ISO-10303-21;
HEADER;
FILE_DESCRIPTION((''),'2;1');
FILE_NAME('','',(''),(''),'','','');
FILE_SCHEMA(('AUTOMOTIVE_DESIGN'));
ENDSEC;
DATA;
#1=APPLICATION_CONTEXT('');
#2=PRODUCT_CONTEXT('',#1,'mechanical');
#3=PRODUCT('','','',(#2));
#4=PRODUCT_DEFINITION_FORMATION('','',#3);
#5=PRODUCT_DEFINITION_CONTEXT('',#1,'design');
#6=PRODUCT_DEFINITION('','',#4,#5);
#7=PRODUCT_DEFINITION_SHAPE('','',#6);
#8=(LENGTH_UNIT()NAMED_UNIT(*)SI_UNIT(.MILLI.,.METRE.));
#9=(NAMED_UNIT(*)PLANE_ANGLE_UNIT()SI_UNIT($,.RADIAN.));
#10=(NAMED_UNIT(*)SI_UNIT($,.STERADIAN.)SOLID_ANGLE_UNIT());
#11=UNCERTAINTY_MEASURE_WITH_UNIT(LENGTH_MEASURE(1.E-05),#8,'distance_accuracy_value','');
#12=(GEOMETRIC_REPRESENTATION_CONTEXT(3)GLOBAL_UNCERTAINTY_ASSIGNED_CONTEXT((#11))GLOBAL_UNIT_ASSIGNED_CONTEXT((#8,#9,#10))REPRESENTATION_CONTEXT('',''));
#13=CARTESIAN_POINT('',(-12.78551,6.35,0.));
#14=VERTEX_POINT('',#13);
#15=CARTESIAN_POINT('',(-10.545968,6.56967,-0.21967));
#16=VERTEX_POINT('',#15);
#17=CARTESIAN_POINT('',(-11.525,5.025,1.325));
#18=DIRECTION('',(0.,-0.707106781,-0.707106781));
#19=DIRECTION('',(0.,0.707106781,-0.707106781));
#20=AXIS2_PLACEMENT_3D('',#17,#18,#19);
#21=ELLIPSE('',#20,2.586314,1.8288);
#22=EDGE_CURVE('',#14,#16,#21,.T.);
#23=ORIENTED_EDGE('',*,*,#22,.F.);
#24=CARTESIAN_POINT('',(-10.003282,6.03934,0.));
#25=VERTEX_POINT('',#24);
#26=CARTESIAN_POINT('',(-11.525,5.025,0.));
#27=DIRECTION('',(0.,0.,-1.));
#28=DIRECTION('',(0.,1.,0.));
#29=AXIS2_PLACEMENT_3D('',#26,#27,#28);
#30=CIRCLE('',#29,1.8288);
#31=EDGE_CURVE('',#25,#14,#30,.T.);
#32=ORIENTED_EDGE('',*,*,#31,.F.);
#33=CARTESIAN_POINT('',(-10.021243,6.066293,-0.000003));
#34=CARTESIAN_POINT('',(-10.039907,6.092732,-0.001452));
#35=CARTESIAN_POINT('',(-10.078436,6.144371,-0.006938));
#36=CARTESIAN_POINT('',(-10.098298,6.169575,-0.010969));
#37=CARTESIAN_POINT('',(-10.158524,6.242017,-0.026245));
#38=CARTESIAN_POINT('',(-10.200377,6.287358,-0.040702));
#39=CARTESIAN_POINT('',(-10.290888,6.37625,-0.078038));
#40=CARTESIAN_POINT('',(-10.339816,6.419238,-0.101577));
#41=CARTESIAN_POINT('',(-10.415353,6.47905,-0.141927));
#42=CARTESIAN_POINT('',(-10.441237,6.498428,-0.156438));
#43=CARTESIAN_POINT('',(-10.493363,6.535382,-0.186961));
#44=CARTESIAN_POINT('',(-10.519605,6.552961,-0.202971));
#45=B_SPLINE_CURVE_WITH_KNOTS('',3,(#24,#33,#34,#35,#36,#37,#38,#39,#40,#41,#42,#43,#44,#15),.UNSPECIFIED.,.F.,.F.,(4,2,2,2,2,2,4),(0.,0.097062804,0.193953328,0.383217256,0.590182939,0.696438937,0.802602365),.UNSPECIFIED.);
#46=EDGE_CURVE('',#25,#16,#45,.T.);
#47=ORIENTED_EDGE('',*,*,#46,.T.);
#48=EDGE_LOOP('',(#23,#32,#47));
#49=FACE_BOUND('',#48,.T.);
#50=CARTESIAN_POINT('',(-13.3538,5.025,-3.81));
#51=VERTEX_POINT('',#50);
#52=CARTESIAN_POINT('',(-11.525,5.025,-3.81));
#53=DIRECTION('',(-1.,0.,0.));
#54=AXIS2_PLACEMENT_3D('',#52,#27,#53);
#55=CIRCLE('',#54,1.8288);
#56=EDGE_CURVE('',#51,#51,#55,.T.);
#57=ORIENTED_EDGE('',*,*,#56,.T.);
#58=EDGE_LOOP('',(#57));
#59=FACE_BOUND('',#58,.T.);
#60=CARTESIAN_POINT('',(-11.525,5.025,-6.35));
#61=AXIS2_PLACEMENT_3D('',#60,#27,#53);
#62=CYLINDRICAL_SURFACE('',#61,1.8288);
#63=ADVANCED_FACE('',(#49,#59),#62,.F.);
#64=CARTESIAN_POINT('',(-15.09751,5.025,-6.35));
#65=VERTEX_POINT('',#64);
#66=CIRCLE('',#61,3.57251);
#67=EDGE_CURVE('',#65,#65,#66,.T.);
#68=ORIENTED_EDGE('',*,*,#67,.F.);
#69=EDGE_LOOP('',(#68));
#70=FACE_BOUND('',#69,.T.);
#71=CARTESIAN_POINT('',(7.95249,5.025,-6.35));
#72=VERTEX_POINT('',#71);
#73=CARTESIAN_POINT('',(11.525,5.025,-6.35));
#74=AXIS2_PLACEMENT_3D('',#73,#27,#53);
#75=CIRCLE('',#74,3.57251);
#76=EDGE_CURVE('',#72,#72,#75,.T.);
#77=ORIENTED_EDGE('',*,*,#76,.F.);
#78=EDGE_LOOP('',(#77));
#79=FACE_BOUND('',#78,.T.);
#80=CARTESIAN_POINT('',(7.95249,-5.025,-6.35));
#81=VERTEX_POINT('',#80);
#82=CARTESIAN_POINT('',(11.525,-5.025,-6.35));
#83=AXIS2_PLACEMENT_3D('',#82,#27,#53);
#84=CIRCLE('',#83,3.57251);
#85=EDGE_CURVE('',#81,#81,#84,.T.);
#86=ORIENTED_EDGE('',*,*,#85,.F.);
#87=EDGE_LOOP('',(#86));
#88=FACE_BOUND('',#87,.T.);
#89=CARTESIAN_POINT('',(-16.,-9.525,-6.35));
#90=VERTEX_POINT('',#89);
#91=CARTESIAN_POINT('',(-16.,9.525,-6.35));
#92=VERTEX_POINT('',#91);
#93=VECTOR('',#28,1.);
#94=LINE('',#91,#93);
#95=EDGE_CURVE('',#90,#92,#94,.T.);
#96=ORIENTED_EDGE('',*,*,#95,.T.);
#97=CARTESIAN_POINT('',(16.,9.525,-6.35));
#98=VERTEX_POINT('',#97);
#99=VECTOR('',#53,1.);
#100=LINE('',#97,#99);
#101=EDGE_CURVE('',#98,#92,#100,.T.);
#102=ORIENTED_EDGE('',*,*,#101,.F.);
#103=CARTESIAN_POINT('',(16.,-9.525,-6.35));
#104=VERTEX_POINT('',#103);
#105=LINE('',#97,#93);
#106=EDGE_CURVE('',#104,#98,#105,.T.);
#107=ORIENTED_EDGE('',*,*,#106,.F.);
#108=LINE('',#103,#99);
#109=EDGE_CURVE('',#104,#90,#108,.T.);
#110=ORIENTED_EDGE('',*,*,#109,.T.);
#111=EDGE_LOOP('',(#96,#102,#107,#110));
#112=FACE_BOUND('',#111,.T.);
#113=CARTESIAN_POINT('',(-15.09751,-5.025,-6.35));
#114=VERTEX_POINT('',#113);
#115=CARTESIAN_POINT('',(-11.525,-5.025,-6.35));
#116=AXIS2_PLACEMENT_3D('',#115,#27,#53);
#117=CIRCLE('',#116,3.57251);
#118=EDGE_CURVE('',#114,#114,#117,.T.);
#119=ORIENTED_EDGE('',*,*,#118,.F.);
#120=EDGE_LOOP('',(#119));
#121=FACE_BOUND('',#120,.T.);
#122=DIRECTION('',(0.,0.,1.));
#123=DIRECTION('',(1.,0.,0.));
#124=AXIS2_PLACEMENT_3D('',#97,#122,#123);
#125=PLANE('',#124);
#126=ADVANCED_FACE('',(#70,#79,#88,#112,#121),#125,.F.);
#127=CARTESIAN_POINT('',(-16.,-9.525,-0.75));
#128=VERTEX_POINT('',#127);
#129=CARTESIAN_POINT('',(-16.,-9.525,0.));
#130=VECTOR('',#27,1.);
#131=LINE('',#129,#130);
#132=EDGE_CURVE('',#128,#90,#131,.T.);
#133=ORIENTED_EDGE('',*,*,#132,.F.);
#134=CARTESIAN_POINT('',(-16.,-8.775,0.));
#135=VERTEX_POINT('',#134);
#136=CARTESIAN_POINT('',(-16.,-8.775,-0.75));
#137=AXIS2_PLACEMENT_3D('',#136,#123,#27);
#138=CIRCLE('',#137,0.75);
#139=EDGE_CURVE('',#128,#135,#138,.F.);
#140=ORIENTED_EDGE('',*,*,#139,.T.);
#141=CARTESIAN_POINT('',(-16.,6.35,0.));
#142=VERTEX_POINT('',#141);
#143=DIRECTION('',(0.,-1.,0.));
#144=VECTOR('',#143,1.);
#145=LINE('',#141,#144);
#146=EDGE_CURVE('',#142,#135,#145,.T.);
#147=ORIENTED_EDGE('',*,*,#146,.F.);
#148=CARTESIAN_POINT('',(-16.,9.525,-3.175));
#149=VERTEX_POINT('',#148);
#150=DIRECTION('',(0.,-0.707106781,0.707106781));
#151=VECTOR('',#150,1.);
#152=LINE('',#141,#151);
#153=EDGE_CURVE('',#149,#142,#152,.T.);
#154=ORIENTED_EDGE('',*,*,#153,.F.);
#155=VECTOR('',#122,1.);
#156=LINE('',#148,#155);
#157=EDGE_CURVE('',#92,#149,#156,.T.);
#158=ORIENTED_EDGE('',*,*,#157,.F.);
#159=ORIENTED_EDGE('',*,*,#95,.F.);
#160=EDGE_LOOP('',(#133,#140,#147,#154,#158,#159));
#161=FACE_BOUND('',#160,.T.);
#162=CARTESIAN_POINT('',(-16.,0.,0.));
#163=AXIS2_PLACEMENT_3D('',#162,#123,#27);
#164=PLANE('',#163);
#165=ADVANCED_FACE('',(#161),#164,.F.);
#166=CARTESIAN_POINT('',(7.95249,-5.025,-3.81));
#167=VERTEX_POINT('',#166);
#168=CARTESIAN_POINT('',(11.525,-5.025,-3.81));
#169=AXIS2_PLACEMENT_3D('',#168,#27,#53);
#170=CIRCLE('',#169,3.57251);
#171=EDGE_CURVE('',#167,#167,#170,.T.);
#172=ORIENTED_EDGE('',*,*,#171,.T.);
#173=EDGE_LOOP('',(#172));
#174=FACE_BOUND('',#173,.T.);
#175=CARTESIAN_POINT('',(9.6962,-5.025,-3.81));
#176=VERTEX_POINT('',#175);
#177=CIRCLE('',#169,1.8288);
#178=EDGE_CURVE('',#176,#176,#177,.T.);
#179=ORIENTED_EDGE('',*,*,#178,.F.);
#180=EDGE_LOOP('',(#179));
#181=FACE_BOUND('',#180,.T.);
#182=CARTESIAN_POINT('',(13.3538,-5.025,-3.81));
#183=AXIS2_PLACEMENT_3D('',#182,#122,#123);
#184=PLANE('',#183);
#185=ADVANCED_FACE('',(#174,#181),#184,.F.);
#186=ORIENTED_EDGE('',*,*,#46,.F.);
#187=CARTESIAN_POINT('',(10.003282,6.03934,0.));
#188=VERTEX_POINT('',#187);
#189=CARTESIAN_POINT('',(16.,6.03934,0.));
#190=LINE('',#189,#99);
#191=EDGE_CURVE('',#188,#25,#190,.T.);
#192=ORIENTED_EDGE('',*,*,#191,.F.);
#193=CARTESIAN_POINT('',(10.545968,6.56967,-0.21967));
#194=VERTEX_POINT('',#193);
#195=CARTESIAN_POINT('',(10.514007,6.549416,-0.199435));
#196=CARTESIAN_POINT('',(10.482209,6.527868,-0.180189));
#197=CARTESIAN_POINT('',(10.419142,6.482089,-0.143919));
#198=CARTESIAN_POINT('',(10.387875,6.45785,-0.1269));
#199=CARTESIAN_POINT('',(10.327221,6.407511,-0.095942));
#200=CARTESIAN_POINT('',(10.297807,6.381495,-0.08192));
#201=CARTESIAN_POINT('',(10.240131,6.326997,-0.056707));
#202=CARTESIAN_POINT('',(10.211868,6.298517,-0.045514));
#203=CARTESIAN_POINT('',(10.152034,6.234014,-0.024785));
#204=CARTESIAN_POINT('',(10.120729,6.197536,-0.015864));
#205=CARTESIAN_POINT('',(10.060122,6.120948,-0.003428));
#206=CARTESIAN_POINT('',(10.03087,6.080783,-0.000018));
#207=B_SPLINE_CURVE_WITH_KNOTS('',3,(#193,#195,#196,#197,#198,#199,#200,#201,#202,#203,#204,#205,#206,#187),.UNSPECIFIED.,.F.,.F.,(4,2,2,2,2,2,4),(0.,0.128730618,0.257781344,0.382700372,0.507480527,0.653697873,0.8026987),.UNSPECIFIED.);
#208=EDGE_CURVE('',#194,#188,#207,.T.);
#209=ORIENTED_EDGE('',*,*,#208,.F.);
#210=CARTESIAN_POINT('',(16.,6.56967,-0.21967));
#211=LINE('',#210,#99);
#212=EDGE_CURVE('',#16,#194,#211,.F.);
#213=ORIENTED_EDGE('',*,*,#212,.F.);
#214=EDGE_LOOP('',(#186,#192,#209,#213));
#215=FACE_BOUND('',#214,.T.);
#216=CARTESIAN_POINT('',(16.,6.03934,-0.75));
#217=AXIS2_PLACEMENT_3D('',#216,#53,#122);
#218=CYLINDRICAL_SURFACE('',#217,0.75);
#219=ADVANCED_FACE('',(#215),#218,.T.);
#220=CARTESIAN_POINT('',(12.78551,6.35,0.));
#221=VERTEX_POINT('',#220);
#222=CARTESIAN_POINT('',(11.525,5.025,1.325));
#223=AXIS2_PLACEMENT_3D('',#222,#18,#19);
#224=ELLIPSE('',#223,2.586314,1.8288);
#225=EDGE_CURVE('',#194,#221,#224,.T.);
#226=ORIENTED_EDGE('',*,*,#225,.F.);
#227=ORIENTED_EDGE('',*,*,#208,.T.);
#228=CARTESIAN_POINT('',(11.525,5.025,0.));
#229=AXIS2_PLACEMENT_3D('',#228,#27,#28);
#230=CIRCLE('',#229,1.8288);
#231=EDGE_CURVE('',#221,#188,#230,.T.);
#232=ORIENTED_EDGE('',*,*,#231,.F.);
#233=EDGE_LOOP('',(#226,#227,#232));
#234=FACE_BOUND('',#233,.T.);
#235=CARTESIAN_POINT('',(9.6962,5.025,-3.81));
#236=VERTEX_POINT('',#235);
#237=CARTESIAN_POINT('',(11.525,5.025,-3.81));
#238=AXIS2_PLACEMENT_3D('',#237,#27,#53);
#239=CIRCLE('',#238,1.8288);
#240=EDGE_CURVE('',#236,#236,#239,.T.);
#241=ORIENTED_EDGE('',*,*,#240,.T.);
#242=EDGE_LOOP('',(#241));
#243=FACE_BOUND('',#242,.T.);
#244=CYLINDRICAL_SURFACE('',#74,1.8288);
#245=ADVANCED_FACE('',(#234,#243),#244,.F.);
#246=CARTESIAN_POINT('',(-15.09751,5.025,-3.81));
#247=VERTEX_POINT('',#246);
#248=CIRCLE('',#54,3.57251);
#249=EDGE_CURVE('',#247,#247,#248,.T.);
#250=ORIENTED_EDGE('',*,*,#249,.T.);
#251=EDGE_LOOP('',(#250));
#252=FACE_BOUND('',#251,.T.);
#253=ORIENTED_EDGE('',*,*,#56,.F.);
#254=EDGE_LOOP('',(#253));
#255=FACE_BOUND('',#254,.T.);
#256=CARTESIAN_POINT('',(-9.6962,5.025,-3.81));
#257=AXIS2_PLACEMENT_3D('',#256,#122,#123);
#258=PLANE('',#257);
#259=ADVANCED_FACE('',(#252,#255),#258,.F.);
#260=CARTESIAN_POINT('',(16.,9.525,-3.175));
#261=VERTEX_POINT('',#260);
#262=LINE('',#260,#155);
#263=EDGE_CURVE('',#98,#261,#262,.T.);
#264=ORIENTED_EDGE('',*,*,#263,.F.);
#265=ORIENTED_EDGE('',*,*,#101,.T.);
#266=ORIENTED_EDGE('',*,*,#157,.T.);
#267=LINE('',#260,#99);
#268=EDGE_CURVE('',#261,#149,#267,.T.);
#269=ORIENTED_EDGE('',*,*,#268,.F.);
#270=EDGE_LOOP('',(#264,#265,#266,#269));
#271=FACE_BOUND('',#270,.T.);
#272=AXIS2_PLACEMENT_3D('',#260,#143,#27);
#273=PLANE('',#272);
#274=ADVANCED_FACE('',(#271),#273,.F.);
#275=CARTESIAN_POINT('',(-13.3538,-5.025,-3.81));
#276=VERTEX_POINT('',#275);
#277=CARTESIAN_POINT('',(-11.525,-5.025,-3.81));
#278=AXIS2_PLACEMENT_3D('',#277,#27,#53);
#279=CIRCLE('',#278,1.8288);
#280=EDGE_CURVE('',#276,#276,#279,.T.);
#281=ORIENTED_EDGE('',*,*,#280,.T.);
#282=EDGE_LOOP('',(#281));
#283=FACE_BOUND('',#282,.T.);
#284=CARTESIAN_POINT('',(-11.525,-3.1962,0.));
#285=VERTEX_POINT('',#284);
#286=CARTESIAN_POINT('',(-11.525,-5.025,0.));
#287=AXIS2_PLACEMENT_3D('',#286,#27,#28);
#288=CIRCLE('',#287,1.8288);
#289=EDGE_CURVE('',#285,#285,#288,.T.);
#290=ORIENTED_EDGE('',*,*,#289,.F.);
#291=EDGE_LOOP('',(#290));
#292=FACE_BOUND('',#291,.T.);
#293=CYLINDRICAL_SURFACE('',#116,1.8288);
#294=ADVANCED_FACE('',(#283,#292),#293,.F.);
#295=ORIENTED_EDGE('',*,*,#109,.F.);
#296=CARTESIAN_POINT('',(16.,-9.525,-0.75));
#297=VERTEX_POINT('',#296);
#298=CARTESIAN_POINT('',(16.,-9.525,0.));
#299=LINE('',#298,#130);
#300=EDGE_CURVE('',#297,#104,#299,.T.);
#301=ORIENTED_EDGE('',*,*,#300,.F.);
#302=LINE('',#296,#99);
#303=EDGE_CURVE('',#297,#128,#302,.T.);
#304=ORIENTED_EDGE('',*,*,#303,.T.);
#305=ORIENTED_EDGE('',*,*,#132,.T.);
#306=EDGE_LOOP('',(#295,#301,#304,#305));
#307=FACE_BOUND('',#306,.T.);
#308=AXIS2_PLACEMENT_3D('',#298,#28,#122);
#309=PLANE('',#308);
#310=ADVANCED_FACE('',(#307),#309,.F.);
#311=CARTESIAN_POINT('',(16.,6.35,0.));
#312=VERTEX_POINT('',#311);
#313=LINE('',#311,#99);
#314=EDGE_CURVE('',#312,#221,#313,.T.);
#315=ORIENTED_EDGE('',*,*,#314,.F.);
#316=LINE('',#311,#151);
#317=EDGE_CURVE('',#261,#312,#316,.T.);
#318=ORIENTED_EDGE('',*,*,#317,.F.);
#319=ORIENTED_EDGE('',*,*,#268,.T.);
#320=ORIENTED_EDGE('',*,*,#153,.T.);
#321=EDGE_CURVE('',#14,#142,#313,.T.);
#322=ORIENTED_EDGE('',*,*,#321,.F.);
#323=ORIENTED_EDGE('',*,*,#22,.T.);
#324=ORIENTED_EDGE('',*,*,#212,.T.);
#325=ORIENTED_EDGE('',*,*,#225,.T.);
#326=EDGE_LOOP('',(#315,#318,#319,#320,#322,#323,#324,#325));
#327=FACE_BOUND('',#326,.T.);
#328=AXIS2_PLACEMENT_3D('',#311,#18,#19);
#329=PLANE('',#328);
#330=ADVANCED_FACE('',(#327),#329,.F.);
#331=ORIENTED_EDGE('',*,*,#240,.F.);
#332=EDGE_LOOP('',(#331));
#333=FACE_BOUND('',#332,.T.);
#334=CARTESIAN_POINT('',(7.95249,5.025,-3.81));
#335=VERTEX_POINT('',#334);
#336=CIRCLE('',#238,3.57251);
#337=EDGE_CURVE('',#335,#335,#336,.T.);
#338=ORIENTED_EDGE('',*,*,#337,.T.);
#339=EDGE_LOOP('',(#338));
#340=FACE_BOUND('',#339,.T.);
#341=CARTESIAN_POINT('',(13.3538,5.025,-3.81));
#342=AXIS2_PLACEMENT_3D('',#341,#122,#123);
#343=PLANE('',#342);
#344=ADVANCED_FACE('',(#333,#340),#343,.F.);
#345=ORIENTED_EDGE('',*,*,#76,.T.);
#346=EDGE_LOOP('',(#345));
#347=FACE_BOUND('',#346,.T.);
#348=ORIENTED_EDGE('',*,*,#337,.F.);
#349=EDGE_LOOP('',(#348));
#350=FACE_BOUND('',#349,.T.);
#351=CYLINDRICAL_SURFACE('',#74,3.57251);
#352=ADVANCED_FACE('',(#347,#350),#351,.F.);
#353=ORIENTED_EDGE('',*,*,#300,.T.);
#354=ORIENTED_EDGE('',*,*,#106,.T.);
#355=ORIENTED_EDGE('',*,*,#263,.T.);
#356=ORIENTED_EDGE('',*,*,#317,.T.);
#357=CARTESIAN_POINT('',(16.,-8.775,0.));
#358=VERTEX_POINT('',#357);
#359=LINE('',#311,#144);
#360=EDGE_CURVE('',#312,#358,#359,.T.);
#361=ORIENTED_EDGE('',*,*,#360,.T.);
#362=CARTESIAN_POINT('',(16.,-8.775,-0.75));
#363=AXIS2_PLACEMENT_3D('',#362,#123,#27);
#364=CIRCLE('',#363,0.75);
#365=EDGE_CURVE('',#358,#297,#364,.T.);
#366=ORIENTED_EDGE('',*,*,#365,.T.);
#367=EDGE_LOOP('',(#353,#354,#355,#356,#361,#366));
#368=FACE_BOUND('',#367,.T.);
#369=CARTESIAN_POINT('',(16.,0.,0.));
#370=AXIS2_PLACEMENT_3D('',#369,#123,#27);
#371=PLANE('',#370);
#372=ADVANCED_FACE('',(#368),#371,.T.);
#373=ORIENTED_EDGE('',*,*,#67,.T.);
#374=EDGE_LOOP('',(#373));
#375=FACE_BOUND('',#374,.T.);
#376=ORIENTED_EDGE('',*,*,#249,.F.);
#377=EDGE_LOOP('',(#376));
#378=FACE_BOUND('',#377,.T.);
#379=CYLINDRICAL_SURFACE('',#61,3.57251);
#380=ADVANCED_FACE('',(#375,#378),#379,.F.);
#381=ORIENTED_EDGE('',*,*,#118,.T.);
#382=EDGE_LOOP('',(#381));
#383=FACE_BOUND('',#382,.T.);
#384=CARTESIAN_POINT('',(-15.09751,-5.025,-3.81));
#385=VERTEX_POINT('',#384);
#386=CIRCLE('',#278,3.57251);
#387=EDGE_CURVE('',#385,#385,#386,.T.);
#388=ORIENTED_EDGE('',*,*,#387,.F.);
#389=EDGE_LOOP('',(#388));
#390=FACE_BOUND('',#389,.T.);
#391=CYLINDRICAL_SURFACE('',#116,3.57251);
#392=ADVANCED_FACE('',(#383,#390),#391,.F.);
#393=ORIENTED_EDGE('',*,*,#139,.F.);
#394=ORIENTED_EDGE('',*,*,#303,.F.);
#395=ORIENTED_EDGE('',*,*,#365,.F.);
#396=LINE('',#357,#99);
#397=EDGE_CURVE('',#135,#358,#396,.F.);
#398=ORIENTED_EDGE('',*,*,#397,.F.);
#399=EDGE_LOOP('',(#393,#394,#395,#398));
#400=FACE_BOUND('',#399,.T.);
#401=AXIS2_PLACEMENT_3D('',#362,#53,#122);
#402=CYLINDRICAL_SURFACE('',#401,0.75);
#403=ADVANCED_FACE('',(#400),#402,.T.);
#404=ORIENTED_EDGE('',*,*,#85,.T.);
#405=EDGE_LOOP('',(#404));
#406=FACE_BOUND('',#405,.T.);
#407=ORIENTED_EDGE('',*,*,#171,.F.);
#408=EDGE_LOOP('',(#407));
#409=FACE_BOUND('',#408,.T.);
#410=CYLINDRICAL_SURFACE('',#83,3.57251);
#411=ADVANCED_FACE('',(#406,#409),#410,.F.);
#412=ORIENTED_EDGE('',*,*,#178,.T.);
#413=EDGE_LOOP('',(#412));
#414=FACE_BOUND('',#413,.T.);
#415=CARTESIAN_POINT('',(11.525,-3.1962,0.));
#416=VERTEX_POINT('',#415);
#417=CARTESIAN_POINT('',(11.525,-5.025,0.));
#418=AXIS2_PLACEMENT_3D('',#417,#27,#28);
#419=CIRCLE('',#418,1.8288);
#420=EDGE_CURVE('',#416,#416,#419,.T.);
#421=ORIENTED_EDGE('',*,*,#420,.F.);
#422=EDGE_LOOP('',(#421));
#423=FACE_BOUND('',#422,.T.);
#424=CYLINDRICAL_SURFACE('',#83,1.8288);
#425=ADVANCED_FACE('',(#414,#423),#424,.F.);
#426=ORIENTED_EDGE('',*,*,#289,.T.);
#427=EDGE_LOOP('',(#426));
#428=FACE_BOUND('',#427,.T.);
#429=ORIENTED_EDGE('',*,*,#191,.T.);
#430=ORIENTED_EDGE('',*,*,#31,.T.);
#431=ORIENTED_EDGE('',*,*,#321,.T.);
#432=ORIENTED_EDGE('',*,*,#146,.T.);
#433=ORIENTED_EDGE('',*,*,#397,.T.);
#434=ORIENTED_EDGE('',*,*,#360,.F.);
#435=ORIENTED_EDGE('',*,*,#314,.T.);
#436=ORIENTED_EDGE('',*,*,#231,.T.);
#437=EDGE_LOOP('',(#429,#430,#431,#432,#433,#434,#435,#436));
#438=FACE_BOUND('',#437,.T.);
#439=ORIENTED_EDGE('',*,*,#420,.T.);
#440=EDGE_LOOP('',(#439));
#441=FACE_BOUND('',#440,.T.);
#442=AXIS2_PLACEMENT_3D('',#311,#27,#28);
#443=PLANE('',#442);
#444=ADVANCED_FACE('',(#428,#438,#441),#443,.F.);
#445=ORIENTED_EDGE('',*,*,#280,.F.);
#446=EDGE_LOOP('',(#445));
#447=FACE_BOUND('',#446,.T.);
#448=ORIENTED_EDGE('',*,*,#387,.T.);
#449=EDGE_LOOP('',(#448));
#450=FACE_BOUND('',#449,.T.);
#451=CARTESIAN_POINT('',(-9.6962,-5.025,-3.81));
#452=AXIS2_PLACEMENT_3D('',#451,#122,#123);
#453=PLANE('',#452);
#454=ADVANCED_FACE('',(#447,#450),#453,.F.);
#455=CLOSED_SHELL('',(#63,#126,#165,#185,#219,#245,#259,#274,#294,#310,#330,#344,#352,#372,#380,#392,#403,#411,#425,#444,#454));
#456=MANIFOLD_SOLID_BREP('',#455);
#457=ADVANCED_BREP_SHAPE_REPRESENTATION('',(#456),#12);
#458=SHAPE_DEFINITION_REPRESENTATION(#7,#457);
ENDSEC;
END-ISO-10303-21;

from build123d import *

# Parameters (mm, degrees)
BOSS_EXTRUDE1_DEPTH                            = 16
CBORE_FOR_6_SOCKET_HEAD_CAP_SCREW1_D           = 3.6576
CBORE_FOR_6_SOCKET_HEAD_CAP_SCREW1_DEPTH       = 9.398
CBORE_FOR_6_SOCKET_HEAD_CAP_SCREW1_CBORE_D     = 7.14502
CBORE_FOR_6_SOCKET_HEAD_CAP_SCREW1_CBORE_DEPTH = 2.54
CBORE_FOR_6_SOCKET_HEAD_CAP_SCREW1_TIP         = 1.0988539
FILLET1_R                                      = 0.75


with BuildPart() as part:
    # Sketch1 → Boss-Extrude1 (new, symmetric)
    with BuildSketch(Plane(origin=(0, 0, 0), x_dir=(0, 0, -1), z_dir=(1, 0, 0))):
        Polygon((0, 6.35), (3.175, 9.525), (6.35, 9.525), (6.35, -9.525), (0, -9.525), align=None)
    extrude(amount=BOSS_EXTRUDE1_DEPTH, both=True)

    # CBORE for #6 Socket Head Cap Screw1
    with Locations(Plane(origin=(0, 0, -6.35), x_dir=(-1, 0, 0), z_dir=(0, 0, -1))):
        with Locations((11.525, -5.025), (-11.525, 5.025), (-11.525, -5.025), (11.525, 5.025)):
            CounterBoreHole(CBORE_FOR_6_SOCKET_HEAD_CAP_SCREW1_D / 2, CBORE_FOR_6_SOCKET_HEAD_CAP_SCREW1_CBORE_D / 2, CBORE_FOR_6_SOCKET_HEAD_CAP_SCREW1_CBORE_DEPTH, depth=CBORE_FOR_6_SOCKET_HEAD_CAP_SCREW1_DEPTH)
            with Locations((0, 0, -(CBORE_FOR_6_SOCKET_HEAD_CAP_SCREW1_DEPTH + CBORE_FOR_6_SOCKET_HEAD_CAP_SCREW1_TIP / 2))):  # 118° drill point
                Cone(0, CBORE_FOR_6_SOCKET_HEAD_CAP_SCREW1_D / 2, CBORE_FOR_6_SOCKET_HEAD_CAP_SCREW1_TIP, mode=Mode.SUBTRACT)

    # Fillet1
    fillet1_edges = [part.edges().sort_by_distance(p)[0] for p in [
        (0, 6.35, 0),
        (0, -9.525, 0),
    ]]
    fillet(fillet1_edges, radius=FILLET1_R)


solid = part.part
